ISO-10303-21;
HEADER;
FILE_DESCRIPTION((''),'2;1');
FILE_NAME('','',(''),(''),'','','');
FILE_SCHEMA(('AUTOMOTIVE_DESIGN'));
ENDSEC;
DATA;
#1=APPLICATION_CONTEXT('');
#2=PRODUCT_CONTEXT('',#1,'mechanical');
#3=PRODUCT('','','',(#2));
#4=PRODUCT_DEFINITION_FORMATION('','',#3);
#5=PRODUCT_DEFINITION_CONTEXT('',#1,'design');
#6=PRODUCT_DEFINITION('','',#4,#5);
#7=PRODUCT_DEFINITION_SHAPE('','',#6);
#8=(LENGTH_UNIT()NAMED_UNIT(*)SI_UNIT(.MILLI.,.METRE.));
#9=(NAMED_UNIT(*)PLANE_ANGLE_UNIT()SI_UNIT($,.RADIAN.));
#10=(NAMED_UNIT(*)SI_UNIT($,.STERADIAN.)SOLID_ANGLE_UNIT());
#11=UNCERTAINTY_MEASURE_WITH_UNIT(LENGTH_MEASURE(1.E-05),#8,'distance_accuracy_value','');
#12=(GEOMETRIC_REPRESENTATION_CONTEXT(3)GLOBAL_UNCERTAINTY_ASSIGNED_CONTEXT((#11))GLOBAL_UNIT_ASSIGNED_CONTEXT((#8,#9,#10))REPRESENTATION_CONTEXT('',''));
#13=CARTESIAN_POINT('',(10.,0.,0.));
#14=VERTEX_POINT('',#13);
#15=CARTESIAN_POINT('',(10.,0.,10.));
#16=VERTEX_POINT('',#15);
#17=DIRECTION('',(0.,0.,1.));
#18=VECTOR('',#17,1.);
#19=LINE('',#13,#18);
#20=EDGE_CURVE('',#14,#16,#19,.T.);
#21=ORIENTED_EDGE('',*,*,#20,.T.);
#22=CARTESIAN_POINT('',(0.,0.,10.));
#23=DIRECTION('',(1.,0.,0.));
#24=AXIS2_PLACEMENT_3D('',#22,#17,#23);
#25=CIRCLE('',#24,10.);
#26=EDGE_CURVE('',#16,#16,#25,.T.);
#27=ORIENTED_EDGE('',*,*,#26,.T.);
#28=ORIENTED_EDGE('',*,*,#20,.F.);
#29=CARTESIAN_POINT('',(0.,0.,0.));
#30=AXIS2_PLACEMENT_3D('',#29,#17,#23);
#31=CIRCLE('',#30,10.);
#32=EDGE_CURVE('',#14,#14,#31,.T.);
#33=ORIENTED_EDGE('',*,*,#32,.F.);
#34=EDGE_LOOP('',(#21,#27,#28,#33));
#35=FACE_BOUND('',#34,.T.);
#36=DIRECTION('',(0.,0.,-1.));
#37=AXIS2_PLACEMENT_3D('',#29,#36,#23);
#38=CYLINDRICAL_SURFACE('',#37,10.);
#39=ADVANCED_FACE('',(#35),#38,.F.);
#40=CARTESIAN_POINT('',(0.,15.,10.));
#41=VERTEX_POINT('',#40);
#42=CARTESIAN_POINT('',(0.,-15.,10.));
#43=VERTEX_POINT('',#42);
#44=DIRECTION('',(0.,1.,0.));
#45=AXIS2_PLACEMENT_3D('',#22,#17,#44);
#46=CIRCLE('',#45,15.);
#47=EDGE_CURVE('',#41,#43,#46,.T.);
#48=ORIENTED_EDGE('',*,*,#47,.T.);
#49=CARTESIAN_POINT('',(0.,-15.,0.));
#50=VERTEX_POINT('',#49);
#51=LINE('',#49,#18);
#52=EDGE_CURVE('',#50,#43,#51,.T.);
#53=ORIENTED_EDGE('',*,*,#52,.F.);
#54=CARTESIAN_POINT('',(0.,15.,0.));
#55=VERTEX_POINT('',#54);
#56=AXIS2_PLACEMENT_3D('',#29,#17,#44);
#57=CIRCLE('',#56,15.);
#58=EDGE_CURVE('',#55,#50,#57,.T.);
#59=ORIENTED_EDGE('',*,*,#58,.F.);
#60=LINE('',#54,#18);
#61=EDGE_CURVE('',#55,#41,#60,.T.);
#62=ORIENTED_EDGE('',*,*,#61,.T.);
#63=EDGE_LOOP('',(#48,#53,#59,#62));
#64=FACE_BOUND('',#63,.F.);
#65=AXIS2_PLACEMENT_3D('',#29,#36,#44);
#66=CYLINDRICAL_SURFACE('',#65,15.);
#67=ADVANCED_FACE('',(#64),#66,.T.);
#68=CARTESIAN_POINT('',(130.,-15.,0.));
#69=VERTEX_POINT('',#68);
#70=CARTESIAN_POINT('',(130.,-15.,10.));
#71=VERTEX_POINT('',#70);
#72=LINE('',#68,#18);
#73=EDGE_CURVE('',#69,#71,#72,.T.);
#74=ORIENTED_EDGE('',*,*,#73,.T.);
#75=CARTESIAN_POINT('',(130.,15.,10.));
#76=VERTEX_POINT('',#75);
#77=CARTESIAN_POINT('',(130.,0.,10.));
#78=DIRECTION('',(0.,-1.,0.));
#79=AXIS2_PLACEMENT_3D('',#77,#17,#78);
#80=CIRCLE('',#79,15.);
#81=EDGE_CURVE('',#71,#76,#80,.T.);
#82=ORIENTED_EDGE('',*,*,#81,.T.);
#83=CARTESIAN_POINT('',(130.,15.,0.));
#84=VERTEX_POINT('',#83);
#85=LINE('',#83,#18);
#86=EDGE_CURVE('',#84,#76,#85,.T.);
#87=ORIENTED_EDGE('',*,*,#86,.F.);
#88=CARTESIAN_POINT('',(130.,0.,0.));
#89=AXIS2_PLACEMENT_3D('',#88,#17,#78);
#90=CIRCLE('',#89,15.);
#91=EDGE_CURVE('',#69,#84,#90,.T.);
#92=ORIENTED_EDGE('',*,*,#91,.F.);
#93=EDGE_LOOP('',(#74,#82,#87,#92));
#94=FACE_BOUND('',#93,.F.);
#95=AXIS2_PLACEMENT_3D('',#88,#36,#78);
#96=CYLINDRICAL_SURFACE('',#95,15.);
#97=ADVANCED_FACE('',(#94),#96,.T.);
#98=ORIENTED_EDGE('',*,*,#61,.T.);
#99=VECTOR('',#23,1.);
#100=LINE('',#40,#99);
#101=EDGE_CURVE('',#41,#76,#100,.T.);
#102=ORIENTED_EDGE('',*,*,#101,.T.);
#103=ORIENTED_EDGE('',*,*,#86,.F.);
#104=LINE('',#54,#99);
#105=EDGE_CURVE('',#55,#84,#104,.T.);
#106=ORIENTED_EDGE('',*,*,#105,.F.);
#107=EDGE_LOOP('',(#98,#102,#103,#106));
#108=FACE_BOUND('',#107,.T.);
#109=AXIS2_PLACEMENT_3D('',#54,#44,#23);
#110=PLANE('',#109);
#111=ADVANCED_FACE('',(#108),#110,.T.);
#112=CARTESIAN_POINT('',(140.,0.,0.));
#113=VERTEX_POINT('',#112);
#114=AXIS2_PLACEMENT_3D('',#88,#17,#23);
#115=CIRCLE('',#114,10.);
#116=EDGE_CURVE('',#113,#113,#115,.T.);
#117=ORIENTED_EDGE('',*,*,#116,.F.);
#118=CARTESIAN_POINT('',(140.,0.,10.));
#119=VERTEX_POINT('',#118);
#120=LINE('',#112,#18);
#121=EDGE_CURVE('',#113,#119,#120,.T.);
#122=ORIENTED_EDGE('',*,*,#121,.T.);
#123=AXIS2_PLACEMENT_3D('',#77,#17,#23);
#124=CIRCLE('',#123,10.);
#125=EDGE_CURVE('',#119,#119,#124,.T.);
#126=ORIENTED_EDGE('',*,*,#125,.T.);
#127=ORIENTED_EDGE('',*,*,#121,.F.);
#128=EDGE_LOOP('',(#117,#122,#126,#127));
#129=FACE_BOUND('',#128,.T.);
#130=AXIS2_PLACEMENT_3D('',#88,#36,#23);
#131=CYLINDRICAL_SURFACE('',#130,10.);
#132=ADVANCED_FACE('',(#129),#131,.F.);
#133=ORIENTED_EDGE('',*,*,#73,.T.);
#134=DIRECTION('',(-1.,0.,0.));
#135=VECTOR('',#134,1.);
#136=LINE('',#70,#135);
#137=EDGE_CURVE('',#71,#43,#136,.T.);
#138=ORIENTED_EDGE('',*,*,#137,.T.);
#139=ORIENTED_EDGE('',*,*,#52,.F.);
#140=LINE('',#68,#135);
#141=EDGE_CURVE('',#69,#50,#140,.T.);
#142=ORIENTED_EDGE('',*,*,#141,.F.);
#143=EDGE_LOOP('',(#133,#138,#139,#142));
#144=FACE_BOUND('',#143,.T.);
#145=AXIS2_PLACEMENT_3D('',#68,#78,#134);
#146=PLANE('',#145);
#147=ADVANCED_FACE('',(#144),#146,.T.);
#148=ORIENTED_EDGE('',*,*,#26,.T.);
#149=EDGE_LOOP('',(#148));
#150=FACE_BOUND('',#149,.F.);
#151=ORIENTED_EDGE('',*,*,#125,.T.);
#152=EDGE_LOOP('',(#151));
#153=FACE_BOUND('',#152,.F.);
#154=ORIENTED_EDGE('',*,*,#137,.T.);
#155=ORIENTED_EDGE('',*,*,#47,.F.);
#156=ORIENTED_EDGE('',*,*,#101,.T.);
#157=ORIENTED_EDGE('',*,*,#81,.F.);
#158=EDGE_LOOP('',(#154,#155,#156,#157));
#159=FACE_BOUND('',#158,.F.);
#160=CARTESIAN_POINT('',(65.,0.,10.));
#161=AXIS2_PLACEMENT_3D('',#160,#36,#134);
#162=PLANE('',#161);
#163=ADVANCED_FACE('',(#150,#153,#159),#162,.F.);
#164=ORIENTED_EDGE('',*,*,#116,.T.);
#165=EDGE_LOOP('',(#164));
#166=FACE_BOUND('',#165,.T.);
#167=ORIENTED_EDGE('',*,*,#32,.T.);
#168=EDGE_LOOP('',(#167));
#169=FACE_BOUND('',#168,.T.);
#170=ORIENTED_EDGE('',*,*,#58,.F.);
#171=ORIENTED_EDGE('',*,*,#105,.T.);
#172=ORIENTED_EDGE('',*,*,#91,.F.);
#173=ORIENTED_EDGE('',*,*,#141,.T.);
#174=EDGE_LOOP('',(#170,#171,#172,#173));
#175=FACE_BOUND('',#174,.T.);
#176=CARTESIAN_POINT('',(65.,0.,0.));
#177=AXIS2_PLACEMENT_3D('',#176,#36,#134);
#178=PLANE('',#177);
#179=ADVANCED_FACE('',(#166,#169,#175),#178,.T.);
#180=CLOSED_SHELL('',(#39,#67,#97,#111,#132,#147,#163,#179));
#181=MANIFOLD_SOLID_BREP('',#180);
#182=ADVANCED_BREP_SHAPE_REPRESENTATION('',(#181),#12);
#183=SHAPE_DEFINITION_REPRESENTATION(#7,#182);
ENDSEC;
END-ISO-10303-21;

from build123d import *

# Parameters (mm, degrees)
SKETCH_R  = 10
PAD_DEPTH = 10


with BuildPart() as part:
    # Sketch → Pad (new body)
    with BuildSketch(Plane.XY):
        with BuildLine():
            Line((0, 15), (130, 15))
            ThreePointArc((130, -15), (145, 0), (130, 15))
            Line((130, -15), (0, -15))
            ThreePointArc((0, 15), (-15, 0), (0, -15))
        make_face()
        Circle(SKETCH_R, mode=Mode.SUBTRACT)
        with Locations((130, 0)):
            Circle(SKETCH_R, mode=Mode.SUBTRACT)
    extrude(amount=PAD_DEPTH)


solid = part.part
